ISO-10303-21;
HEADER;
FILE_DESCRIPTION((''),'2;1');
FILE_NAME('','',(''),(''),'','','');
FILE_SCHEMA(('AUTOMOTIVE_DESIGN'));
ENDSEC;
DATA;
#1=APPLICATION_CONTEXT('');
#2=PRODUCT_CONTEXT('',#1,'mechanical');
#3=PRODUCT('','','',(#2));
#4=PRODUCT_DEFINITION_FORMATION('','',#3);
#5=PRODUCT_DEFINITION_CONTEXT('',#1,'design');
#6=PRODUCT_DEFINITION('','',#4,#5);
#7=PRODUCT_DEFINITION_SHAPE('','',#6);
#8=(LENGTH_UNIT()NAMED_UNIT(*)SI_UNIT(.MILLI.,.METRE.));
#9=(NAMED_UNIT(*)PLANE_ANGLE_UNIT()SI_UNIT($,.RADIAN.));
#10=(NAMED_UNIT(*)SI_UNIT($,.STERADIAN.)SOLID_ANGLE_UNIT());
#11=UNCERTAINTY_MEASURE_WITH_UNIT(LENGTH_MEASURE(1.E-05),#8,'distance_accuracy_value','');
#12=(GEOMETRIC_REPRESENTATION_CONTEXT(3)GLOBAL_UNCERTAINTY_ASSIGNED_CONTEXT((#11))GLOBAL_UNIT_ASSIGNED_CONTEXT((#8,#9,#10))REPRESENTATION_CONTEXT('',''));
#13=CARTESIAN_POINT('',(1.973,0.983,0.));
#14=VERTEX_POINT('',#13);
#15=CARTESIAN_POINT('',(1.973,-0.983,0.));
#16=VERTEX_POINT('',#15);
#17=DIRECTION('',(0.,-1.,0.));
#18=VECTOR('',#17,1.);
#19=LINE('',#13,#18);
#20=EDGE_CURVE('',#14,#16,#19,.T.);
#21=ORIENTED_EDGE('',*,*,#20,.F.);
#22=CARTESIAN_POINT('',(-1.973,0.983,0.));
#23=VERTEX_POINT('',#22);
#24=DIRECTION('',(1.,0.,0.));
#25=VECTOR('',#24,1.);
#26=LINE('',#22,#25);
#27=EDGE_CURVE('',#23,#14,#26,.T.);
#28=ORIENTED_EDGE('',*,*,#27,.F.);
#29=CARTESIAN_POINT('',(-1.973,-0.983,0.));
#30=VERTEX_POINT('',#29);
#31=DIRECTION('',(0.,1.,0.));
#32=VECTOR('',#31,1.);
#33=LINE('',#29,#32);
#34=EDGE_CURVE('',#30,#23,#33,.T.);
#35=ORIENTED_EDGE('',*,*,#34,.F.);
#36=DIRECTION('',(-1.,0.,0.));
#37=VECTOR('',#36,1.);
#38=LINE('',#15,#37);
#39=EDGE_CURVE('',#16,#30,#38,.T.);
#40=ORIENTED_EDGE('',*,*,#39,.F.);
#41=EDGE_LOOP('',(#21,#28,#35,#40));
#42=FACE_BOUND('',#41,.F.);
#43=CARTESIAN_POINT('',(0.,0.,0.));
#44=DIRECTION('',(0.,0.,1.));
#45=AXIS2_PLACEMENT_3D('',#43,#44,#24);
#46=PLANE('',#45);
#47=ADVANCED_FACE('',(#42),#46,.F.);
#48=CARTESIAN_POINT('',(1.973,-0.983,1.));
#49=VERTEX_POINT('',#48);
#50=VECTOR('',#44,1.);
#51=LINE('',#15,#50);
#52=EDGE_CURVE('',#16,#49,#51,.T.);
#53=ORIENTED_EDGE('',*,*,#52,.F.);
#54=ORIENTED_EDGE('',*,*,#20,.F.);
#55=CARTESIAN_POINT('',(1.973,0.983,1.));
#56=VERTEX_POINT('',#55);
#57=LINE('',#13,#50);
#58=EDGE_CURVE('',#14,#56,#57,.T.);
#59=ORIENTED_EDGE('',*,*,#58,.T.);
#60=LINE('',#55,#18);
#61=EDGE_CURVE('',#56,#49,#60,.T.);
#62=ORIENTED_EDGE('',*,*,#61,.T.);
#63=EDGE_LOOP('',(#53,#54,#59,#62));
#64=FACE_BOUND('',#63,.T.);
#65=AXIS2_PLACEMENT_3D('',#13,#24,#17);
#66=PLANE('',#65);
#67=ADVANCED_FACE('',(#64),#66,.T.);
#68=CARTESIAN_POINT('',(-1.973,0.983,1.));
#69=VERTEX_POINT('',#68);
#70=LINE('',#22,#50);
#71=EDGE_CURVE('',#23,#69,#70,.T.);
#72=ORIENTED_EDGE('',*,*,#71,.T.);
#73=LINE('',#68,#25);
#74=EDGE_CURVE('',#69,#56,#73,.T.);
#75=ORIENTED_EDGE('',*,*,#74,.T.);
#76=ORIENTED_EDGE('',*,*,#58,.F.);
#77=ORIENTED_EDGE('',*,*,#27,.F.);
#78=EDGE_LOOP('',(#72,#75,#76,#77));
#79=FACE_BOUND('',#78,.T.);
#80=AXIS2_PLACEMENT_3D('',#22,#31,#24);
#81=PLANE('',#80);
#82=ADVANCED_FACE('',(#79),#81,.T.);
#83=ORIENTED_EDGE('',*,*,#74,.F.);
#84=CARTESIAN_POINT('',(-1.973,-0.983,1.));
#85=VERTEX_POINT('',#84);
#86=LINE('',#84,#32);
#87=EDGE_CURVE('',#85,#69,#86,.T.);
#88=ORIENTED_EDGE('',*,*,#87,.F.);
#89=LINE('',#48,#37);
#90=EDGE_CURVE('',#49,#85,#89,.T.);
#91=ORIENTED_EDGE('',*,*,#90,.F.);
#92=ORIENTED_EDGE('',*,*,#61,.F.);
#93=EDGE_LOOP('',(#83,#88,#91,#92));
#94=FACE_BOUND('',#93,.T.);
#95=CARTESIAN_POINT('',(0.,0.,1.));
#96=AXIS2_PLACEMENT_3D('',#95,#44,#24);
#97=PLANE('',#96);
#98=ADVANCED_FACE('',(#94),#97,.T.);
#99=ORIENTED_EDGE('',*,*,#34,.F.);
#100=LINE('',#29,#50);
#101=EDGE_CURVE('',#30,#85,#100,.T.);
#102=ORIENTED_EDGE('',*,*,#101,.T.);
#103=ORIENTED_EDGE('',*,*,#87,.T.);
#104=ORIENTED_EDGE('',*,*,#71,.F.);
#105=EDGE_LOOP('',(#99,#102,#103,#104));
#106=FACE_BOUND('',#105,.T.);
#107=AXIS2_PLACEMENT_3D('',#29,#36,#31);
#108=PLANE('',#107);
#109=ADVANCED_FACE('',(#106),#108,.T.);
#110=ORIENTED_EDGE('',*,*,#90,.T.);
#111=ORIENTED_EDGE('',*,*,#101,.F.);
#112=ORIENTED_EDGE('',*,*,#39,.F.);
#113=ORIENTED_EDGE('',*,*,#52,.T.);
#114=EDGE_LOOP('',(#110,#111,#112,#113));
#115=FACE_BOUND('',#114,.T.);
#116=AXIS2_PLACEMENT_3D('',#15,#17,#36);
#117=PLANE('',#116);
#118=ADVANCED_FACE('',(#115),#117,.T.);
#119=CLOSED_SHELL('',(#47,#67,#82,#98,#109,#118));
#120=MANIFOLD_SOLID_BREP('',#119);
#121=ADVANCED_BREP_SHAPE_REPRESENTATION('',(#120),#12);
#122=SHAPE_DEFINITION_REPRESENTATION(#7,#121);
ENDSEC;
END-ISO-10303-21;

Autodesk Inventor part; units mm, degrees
ref_plane "YZ Plane" through (0, 0, 0) normal (1, 0, 0) x (0, 1, 0)
ref_plane "XZ Plane" through (0, 0, 0) normal (0, 1, 0) x (-1, 0, 0)
ref_plane "XY Plane" through (0, 0, 0) normal (0, 0, 1) x (1, 0, 0)
sketch "R0805, 470K_46" plane through (0, 0, 0) normal (0, 0, 1) x (1, 0, 0)
  line L0 (-1.973, 0.983) -> (1.973, 0.983)
  line L1 (1.973, 0.983) -> (1.973, -0.983)
  line L2 (1.973, -0.983) -> (-1.973, -0.983)
  line L3 (-1.973, -0.983) -> (-1.973, 0.983)
extrude "Extrusion1" add sketch "R0805, 470K_46" along normal blind 1
properties part number "470K"
